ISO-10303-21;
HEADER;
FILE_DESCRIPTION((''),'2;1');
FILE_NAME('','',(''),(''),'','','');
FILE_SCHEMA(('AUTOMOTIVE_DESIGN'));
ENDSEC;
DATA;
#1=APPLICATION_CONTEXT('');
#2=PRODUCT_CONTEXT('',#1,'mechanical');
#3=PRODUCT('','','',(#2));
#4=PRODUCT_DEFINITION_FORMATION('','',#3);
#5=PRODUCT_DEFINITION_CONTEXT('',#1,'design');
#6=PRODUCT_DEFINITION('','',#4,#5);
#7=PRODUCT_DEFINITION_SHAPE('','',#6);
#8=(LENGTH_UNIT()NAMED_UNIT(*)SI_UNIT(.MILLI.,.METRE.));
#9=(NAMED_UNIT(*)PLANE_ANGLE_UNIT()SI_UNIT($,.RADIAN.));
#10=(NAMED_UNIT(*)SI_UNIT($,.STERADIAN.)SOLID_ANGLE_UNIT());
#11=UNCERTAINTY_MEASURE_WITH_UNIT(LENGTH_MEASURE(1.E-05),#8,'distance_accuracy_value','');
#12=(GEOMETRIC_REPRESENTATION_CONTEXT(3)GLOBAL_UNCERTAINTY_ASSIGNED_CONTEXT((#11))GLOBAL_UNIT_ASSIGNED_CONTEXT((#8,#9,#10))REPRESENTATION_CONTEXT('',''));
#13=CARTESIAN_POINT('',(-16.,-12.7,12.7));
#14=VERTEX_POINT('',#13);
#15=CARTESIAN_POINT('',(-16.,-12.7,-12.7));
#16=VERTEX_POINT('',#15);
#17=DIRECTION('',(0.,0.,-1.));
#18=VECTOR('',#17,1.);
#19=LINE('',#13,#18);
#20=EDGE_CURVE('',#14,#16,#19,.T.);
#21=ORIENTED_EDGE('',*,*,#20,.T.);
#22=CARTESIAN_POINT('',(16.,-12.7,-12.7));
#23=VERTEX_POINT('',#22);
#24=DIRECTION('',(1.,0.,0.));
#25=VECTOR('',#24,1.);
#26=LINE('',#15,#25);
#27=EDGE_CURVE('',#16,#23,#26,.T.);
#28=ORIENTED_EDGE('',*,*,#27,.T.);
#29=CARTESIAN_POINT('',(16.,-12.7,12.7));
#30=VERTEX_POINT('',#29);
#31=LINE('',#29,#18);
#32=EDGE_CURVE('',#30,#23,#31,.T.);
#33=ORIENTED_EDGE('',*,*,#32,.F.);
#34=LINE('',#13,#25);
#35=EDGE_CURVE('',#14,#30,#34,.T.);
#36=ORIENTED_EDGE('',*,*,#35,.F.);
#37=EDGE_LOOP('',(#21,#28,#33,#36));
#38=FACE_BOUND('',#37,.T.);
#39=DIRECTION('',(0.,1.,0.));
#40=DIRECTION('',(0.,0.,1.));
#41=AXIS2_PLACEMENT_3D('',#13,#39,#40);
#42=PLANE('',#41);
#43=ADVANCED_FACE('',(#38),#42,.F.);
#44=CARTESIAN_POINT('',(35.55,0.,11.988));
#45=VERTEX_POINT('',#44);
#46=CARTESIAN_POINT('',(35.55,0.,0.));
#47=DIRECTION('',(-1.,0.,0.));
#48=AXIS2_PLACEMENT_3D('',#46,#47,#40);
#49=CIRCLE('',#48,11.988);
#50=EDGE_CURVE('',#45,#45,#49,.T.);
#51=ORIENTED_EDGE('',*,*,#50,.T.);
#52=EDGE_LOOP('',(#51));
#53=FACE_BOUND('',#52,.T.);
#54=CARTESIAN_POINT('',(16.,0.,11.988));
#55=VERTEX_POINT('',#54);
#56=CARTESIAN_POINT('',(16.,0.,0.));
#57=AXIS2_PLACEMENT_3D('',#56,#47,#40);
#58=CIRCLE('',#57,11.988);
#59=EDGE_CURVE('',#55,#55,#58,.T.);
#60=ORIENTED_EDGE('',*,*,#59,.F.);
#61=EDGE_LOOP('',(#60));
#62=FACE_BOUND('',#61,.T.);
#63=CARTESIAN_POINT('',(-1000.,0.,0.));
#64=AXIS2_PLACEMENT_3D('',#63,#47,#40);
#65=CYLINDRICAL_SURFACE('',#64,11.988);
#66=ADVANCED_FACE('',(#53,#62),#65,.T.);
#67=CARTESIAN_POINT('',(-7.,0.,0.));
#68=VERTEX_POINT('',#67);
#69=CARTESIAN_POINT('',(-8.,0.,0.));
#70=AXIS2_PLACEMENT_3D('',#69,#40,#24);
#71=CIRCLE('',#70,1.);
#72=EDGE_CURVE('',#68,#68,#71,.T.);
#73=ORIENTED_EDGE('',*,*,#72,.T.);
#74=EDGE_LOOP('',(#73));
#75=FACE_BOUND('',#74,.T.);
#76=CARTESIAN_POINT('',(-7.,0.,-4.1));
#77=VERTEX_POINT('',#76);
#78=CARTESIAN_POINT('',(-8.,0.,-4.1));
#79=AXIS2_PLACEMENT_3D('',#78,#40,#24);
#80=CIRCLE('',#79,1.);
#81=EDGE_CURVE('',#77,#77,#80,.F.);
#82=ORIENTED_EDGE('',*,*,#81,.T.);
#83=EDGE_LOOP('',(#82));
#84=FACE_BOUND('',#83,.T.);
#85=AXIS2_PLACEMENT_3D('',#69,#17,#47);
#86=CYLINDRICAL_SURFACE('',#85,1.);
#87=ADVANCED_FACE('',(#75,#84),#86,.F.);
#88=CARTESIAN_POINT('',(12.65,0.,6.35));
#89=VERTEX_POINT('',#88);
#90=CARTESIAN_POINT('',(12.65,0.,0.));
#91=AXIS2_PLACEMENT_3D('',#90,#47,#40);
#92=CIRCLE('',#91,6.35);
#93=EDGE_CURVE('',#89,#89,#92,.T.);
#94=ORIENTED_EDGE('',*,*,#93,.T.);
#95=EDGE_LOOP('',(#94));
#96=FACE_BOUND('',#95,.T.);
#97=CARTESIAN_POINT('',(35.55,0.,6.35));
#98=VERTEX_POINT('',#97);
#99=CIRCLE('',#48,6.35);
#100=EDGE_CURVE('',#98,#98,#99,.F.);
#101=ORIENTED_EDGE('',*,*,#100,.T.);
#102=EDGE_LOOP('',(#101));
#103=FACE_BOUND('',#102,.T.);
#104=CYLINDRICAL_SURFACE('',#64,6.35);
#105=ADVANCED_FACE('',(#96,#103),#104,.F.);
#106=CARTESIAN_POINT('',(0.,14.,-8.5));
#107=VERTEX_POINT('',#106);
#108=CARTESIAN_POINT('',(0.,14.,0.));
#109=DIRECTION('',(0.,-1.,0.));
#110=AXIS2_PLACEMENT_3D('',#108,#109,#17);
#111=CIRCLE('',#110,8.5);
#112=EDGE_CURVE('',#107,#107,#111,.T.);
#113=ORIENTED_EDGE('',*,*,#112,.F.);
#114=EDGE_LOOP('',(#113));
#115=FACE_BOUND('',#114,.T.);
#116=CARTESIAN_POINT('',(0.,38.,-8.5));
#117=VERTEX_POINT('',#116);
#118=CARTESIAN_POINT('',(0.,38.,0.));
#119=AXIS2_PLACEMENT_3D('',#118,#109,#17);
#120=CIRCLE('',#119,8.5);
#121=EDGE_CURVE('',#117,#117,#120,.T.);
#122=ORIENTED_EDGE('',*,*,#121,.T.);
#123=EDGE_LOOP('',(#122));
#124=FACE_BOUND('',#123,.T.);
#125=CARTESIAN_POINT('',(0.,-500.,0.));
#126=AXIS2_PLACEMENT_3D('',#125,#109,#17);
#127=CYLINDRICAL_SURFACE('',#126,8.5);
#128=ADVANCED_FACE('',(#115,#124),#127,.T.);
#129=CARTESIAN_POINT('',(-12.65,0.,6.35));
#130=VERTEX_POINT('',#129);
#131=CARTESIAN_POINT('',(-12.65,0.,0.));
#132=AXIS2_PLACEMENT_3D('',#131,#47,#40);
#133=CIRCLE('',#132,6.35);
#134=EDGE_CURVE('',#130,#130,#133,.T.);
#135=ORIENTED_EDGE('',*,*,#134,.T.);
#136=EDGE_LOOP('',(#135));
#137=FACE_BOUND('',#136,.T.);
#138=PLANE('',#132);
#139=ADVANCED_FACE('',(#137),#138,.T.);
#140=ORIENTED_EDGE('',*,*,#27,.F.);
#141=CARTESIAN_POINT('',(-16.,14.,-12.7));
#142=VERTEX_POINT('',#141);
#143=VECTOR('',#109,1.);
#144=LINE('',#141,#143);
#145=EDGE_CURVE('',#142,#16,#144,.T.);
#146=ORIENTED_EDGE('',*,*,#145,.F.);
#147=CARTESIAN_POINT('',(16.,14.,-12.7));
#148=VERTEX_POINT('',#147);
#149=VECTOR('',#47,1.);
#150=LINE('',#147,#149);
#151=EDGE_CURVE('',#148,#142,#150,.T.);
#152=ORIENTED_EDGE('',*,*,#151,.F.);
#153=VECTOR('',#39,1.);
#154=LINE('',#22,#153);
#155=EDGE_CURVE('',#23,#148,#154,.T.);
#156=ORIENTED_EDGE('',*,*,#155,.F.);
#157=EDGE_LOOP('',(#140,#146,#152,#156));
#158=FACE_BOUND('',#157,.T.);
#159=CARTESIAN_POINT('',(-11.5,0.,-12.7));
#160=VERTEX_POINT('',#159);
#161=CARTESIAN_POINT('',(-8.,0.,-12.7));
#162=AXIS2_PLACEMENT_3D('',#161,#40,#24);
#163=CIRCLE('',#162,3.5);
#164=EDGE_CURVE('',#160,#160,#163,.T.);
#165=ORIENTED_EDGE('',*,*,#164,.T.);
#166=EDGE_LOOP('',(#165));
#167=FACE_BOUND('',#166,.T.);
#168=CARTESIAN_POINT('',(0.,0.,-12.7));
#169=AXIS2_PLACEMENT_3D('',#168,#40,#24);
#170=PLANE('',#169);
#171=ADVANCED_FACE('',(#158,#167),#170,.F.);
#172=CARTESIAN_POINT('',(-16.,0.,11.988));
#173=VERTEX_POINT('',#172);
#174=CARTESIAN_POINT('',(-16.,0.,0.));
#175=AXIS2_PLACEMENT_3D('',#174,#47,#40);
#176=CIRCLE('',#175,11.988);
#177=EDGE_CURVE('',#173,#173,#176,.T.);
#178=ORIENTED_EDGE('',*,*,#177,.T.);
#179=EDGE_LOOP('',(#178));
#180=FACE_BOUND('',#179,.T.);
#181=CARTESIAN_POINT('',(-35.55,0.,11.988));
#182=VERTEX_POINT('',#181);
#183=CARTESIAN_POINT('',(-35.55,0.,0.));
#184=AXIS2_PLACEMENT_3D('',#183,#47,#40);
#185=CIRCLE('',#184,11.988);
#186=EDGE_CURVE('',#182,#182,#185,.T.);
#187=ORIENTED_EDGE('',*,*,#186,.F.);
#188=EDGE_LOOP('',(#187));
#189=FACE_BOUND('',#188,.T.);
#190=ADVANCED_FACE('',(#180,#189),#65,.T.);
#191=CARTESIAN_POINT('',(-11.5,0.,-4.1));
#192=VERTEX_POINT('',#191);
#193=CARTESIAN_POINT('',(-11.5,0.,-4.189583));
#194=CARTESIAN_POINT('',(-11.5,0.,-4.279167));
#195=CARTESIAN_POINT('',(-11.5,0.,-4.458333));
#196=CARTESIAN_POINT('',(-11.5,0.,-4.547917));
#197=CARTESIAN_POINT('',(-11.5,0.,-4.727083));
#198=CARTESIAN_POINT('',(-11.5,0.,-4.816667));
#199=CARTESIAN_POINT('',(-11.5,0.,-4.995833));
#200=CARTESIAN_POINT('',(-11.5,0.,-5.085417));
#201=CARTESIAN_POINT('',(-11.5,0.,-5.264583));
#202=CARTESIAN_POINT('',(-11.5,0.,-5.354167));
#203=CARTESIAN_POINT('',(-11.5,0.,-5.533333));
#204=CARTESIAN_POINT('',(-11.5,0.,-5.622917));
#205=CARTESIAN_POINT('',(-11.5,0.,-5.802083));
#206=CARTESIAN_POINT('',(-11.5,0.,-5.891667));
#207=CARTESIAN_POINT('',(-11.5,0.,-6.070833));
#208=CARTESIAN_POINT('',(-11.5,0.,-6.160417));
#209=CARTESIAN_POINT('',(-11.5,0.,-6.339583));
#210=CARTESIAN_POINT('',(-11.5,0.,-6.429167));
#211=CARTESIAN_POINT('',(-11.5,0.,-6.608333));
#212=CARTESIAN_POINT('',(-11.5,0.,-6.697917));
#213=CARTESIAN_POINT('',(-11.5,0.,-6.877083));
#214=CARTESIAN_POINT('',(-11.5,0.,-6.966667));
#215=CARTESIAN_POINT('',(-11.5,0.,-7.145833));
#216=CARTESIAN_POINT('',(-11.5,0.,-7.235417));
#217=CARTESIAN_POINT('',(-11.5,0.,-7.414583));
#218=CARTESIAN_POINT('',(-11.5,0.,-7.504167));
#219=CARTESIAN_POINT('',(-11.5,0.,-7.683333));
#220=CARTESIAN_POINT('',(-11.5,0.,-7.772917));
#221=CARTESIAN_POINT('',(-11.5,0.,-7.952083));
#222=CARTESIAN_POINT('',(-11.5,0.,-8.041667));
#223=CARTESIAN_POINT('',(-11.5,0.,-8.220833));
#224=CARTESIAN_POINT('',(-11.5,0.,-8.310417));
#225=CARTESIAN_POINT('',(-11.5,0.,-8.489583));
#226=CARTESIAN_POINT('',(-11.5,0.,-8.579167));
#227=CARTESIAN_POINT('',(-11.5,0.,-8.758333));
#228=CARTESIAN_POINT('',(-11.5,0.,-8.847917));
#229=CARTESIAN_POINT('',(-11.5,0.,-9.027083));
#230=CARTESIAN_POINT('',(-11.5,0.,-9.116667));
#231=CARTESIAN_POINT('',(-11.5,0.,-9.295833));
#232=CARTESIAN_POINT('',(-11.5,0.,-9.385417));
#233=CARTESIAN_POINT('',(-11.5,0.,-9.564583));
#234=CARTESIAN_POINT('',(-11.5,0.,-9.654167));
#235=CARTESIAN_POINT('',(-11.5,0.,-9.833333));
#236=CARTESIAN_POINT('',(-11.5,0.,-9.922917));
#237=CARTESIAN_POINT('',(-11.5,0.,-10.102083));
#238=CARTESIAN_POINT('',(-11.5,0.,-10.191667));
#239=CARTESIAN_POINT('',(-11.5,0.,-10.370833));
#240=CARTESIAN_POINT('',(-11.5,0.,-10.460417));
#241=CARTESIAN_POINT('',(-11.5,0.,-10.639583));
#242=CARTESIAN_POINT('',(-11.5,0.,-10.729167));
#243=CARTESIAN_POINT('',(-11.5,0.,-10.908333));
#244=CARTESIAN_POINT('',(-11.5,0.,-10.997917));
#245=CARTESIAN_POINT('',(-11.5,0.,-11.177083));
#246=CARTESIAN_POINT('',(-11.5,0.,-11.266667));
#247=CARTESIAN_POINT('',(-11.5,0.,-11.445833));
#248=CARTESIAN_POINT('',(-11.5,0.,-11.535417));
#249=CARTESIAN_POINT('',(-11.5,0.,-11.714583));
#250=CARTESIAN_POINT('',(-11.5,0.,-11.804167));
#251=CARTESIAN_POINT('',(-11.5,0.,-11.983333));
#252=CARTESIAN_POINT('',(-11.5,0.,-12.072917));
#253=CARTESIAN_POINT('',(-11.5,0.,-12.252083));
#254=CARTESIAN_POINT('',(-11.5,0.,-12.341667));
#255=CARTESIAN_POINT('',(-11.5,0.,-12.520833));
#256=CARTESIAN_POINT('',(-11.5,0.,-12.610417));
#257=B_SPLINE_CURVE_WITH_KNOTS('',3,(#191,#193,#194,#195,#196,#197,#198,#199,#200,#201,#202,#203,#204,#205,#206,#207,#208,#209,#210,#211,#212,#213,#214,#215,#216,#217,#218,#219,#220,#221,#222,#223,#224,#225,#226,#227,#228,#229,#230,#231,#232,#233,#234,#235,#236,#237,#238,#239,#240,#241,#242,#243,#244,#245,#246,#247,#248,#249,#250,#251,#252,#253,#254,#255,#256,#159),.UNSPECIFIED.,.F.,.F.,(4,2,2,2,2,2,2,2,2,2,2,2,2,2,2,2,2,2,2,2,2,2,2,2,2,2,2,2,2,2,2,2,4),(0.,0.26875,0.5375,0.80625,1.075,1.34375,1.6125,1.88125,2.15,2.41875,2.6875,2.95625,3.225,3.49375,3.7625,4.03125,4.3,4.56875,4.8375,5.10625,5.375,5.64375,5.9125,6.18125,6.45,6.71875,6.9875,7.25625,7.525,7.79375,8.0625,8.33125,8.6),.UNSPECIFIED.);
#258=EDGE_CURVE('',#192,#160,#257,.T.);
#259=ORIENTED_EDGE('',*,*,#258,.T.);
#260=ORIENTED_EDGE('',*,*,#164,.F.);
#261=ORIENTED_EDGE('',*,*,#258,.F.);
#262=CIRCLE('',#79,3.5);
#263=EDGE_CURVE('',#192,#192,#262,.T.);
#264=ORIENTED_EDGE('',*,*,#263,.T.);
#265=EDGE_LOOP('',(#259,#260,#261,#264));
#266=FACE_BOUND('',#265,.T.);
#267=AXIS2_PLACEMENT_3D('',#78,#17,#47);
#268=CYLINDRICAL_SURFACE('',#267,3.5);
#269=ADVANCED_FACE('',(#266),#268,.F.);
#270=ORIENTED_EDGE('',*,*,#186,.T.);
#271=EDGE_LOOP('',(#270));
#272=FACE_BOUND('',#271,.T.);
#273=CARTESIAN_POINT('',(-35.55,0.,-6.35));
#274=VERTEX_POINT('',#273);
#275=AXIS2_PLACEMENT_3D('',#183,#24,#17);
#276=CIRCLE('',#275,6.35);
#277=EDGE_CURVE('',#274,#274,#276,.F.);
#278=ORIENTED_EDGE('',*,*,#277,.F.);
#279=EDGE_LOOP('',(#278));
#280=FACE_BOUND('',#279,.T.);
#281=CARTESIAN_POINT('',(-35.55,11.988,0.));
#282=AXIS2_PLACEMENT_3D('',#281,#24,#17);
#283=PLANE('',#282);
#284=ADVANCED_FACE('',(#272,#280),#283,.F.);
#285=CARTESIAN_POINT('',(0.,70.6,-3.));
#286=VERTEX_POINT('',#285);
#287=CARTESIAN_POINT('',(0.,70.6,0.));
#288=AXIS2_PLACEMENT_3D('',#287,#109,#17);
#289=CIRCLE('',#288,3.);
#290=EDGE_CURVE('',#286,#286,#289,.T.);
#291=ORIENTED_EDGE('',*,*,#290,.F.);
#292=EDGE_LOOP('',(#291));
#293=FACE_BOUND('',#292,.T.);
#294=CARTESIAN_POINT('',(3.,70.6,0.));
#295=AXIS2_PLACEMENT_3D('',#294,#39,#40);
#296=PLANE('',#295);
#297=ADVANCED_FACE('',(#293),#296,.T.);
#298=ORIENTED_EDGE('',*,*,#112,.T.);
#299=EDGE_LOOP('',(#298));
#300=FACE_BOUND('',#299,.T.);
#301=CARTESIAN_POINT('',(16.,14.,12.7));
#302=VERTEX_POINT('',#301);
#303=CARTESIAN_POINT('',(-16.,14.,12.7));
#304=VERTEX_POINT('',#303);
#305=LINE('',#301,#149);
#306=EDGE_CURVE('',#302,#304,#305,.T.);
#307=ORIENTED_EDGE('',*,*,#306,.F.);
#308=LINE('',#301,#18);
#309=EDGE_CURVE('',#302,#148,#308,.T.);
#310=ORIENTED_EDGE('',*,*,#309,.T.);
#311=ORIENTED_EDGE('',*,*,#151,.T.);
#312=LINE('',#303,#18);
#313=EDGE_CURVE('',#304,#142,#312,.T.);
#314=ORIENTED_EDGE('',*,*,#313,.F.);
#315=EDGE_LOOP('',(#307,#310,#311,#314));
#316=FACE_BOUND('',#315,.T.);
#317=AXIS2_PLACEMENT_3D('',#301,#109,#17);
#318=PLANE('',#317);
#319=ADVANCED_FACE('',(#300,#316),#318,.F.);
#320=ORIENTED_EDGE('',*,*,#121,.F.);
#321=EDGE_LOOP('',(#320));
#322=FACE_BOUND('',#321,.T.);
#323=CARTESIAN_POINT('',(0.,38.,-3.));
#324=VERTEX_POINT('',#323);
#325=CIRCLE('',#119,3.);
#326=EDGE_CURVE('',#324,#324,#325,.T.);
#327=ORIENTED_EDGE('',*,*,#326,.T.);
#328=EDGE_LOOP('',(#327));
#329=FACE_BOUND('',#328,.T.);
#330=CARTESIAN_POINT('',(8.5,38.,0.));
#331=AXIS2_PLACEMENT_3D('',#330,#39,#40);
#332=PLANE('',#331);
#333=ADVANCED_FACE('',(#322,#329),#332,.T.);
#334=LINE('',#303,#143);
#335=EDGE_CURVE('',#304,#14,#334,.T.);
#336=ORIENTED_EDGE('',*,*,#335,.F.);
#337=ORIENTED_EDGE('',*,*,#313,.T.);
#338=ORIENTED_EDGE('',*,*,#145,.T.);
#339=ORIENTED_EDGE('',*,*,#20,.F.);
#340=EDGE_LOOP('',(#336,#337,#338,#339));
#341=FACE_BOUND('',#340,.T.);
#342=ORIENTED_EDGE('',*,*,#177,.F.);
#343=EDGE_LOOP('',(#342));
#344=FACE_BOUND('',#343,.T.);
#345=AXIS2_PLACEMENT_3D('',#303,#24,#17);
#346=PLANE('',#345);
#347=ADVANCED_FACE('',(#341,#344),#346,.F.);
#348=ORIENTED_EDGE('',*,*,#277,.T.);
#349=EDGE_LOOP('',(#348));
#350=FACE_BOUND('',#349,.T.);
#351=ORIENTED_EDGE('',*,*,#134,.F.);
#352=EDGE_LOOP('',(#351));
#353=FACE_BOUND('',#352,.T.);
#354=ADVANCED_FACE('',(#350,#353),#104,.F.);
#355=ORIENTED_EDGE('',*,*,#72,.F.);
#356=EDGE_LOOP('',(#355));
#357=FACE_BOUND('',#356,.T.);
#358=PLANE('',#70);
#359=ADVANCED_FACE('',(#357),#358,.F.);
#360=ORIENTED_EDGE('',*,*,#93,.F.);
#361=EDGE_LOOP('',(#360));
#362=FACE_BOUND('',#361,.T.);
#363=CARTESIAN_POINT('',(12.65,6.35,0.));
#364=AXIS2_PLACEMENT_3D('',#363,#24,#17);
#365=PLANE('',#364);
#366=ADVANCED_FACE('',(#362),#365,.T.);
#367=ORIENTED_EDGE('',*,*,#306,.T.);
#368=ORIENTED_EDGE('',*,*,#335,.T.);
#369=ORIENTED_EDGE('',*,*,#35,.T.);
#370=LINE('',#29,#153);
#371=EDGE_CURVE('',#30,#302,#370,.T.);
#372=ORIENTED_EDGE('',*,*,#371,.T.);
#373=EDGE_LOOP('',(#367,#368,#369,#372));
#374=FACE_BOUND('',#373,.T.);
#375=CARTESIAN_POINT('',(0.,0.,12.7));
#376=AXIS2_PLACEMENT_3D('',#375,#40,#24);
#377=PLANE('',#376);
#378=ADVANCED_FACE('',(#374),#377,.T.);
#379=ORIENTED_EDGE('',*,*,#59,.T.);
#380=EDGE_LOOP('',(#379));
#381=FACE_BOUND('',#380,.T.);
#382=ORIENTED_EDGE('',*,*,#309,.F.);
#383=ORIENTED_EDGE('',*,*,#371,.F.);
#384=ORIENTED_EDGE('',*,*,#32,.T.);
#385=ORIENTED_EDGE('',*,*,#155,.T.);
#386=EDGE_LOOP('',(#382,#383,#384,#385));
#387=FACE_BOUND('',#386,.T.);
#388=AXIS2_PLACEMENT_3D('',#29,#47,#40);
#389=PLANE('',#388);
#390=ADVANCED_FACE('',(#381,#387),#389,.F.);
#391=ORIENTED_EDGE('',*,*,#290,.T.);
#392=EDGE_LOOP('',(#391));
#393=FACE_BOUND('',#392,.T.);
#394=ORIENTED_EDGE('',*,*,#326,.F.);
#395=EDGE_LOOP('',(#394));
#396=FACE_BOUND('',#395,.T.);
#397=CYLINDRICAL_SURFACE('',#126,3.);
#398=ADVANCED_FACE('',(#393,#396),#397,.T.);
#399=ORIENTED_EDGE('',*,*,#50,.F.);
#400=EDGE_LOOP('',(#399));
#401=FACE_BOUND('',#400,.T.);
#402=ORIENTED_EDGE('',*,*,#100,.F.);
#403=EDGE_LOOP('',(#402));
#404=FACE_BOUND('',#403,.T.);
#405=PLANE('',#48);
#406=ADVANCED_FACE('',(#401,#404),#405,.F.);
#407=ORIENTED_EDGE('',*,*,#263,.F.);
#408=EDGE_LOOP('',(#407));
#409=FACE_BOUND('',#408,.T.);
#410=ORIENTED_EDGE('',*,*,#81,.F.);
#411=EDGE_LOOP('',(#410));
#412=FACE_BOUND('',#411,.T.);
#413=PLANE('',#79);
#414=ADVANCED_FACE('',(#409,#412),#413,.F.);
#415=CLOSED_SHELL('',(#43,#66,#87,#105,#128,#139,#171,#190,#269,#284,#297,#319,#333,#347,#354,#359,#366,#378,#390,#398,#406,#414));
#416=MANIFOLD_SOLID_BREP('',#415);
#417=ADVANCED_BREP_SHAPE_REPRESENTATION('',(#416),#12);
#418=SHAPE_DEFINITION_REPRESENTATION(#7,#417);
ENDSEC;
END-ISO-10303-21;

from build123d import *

# Parameters (mm, degrees)
BODY_SKETCH_W                   = 32
BODY_SKETCH_H                   = 26.7
BODY_DEPTH                      = 12.7
NUT_X_SKETCH_W                  = 19.55
NUT_X_SKETCH_H                  = 11.988
NUT_X_SKETCH_2_W                = 19.55
NUT_X_SKETCH_2_H                = 11.988
SOCKET_X_SKETCH_W               = 23.9
SOCKET_X_SKETCH_H               = 6.35
SOCKET_X_SKETCH_2_W             = 23.9
SOCKET_X_SKETCH_2_H             = 6.35
TORCH_NITROUS_PORT_SKETCH_R     = 3.5
TORCH_NITROUS_PORT_DEPTH        = 8.6
TORCH_NITROUS_DRILLING_SKETCH_R = 1
TORCH_NITROUS_DRILLING_DEPTH    = 12.7


with BuildPart() as part:
    # Body Sketch → Body (new, symmetric)
    with BuildSketch(Plane.XY):
        with Locations((0, 0.65)):
            Rectangle(BODY_SKETCH_W, BODY_SKETCH_H)
    extrude(amount=BODY_DEPTH, both=True)

    # Nut _X Sketch → Nut _X (revolve)
    with BuildSketch(Plane.XY):
        with Locations((25.775, 5.994)):
            Rectangle(NUT_X_SKETCH_W, NUT_X_SKETCH_H)
    revolve(axis=Axis((-1000, 0, 0), (1, 0, 0)))

    # Nut -X Sketch 2 → Nut -X 2 (revolve)
    with BuildSketch(Plane.XY):
        with Locations((-25.775, 5.994)):
            Rectangle(NUT_X_SKETCH_2_W, NUT_X_SKETCH_2_H)
    revolve(axis=Axis((-1000, 0, 0), (1, 0, 0)))

    # Socket _X Sketch → Socket _X (revolve, cut)
    with BuildSketch(Plane.XY):
        with Locations((24.6, 3.175)):
            Rectangle(SOCKET_X_SKETCH_W, SOCKET_X_SKETCH_H)
    revolve(axis=Axis((-1000, 0, 0), (1, 0, 0)), mode=Mode.SUBTRACT)

    # Socket -X Sketch 2 → Socket -X 2 (revolve, cut)
    with BuildSketch(Plane.XY):
        with Locations((-24.6, 3.175)):
            Rectangle(SOCKET_X_SKETCH_2_W, SOCKET_X_SKETCH_2_H)
    revolve(axis=Axis((-1000, 0, 0), (1, 0, 0)), mode=Mode.SUBTRACT)

    # Stem Sketch → Stem (revolve)
    with BuildSketch(Plane.XY):
        Polygon((0, 14), (8.5, 14), (8.5, 38), (3, 38), (3, 70.6), (0, 70.6), align=None)
    revolve(axis=Axis((0, -500, 0), (0, 1, 0)))

    # Torch Nitrous Port Sketch → Torch Nitrous Port (cut)
    with BuildSketch(Plane.XY.offset(-12.7)):
        with Locations((-8, 0)):
            Circle(TORCH_NITROUS_PORT_SKETCH_R)
    extrude(amount=TORCH_NITROUS_PORT_DEPTH, mode=Mode.SUBTRACT)

    # Torch Nitrous Drilling Sketch → Torch Nitrous Drilling (cut)
    with BuildSketch(Plane.XY.offset(-12.7)):
        with Locations((-8, 0)):
            Circle(TORCH_NITROUS_DRILLING_SKETCH_R)
    extrude(amount=TORCH_NITROUS_DRILLING_DEPTH, mode=Mode.SUBTRACT)


solid = part.part
